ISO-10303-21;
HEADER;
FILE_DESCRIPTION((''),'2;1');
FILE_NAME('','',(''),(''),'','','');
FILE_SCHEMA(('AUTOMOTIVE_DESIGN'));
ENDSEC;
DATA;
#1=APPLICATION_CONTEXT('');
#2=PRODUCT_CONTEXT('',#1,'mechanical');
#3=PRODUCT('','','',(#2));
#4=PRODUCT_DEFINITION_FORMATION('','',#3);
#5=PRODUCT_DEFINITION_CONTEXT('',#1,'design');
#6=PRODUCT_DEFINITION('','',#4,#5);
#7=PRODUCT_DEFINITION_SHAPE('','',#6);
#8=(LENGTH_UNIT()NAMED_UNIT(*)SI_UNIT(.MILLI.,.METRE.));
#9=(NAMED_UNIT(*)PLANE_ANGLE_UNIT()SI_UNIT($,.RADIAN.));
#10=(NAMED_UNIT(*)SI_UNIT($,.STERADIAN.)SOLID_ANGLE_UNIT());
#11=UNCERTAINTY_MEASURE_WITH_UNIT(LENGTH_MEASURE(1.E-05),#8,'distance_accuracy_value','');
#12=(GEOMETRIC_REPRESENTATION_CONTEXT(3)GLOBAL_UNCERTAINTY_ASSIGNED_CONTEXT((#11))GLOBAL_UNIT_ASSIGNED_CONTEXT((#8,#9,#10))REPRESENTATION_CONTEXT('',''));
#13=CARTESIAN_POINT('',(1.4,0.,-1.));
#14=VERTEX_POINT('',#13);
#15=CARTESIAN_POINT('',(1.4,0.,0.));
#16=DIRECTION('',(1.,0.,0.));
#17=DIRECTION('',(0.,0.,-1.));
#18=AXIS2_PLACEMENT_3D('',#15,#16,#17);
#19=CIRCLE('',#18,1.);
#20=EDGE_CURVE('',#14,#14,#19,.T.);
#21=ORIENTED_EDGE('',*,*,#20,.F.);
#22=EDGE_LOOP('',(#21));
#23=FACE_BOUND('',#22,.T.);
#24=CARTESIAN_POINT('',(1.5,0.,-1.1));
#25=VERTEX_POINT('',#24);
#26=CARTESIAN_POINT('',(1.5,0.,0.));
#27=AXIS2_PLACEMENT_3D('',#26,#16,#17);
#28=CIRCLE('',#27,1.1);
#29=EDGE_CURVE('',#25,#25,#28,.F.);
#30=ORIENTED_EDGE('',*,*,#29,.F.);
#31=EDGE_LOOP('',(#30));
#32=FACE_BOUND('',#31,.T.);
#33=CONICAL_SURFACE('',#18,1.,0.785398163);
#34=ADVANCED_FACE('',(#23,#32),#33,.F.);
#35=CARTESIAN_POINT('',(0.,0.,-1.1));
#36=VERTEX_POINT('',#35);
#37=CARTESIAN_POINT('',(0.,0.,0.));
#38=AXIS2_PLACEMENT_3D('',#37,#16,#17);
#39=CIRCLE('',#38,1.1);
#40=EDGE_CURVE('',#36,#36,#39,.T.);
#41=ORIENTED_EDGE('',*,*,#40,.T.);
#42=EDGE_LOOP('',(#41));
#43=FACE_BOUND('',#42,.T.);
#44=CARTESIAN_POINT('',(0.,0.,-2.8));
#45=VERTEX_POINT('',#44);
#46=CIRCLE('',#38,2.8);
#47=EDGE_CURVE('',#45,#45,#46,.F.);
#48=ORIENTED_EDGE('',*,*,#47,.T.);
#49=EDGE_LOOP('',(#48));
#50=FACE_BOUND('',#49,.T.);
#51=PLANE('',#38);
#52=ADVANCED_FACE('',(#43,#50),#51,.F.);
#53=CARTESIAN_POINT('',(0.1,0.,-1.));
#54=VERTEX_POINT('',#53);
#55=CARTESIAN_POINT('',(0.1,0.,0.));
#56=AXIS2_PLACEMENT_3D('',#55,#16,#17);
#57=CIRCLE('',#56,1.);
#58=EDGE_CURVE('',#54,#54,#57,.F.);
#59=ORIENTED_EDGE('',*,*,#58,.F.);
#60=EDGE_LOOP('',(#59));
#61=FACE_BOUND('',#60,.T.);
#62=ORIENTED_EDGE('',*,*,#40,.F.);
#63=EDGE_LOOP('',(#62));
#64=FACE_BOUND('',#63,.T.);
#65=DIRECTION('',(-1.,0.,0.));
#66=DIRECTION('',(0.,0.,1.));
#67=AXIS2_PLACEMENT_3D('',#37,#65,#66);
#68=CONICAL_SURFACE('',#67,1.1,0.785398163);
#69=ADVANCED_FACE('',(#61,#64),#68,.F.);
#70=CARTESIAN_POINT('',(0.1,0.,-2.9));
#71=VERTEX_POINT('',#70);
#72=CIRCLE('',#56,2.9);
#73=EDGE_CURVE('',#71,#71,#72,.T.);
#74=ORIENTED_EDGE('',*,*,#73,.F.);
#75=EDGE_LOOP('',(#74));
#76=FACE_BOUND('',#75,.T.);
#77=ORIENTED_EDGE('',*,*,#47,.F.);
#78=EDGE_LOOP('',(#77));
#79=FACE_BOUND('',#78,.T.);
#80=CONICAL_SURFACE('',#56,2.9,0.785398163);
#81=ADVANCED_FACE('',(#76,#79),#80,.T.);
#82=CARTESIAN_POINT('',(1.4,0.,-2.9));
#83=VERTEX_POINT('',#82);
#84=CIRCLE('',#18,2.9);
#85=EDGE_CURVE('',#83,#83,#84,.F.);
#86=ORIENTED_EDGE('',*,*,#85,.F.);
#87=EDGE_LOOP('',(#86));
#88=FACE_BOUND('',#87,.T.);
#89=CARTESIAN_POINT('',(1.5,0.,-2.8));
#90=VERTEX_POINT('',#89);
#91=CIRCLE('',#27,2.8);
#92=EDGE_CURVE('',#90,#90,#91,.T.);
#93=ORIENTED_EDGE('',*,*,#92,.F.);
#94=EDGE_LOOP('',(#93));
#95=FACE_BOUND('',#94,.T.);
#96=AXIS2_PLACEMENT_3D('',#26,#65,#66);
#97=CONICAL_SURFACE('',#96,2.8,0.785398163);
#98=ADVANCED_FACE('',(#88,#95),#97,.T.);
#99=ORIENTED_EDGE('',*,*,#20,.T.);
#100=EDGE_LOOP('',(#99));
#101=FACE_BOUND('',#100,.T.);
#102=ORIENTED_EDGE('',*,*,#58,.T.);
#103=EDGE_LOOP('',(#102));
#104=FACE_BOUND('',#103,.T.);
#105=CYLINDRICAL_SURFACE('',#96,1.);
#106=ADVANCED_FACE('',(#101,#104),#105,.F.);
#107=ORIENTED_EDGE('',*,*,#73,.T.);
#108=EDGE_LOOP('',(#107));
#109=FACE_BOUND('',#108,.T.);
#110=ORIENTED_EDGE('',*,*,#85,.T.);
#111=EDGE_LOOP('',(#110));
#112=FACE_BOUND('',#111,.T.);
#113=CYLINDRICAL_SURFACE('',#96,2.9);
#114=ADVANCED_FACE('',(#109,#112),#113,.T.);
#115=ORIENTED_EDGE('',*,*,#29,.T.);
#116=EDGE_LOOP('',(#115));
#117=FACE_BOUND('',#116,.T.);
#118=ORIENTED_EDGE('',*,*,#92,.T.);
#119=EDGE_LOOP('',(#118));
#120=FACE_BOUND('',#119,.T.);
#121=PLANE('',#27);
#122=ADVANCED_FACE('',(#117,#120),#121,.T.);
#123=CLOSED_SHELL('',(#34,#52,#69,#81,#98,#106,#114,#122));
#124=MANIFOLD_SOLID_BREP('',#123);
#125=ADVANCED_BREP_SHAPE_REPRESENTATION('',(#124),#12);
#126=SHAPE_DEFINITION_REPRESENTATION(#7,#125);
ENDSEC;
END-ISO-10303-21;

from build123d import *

# Parameters (mm, degrees)
CROQUIS1_R              = 2.9
CROQUIS1_R_2            = 1
SALIENTE_EXTRUIR1_DEPTH = 1.5
CHAFL_N1_SIZE           = 0.1


with BuildPart() as part:
    # Croquis1 → Saliente-Extruir1 (new body)
    with BuildSketch(Plane(origin=(0, 0, 0), x_dir=(0, 0, -1), z_dir=(1, 0, 0))):
        Circle(CROQUIS1_R)
        Circle(CROQUIS1_R_2, mode=Mode.SUBTRACT)
    extrude(amount=SALIENTE_EXTRUIR1_DEPTH)

    # Chaflán1
    chafl_n1_edges = [part.edges().sort_by_distance(p)[0] for p in [
        (0, 0, 2.9),
        (1.5, 0, 2.9),
        (0, 0, 1),
        (1.5, 0, 1),
    ]]
    chamfer(chafl_n1_edges, length=CHAFL_N1_SIZE)


solid = part.part
